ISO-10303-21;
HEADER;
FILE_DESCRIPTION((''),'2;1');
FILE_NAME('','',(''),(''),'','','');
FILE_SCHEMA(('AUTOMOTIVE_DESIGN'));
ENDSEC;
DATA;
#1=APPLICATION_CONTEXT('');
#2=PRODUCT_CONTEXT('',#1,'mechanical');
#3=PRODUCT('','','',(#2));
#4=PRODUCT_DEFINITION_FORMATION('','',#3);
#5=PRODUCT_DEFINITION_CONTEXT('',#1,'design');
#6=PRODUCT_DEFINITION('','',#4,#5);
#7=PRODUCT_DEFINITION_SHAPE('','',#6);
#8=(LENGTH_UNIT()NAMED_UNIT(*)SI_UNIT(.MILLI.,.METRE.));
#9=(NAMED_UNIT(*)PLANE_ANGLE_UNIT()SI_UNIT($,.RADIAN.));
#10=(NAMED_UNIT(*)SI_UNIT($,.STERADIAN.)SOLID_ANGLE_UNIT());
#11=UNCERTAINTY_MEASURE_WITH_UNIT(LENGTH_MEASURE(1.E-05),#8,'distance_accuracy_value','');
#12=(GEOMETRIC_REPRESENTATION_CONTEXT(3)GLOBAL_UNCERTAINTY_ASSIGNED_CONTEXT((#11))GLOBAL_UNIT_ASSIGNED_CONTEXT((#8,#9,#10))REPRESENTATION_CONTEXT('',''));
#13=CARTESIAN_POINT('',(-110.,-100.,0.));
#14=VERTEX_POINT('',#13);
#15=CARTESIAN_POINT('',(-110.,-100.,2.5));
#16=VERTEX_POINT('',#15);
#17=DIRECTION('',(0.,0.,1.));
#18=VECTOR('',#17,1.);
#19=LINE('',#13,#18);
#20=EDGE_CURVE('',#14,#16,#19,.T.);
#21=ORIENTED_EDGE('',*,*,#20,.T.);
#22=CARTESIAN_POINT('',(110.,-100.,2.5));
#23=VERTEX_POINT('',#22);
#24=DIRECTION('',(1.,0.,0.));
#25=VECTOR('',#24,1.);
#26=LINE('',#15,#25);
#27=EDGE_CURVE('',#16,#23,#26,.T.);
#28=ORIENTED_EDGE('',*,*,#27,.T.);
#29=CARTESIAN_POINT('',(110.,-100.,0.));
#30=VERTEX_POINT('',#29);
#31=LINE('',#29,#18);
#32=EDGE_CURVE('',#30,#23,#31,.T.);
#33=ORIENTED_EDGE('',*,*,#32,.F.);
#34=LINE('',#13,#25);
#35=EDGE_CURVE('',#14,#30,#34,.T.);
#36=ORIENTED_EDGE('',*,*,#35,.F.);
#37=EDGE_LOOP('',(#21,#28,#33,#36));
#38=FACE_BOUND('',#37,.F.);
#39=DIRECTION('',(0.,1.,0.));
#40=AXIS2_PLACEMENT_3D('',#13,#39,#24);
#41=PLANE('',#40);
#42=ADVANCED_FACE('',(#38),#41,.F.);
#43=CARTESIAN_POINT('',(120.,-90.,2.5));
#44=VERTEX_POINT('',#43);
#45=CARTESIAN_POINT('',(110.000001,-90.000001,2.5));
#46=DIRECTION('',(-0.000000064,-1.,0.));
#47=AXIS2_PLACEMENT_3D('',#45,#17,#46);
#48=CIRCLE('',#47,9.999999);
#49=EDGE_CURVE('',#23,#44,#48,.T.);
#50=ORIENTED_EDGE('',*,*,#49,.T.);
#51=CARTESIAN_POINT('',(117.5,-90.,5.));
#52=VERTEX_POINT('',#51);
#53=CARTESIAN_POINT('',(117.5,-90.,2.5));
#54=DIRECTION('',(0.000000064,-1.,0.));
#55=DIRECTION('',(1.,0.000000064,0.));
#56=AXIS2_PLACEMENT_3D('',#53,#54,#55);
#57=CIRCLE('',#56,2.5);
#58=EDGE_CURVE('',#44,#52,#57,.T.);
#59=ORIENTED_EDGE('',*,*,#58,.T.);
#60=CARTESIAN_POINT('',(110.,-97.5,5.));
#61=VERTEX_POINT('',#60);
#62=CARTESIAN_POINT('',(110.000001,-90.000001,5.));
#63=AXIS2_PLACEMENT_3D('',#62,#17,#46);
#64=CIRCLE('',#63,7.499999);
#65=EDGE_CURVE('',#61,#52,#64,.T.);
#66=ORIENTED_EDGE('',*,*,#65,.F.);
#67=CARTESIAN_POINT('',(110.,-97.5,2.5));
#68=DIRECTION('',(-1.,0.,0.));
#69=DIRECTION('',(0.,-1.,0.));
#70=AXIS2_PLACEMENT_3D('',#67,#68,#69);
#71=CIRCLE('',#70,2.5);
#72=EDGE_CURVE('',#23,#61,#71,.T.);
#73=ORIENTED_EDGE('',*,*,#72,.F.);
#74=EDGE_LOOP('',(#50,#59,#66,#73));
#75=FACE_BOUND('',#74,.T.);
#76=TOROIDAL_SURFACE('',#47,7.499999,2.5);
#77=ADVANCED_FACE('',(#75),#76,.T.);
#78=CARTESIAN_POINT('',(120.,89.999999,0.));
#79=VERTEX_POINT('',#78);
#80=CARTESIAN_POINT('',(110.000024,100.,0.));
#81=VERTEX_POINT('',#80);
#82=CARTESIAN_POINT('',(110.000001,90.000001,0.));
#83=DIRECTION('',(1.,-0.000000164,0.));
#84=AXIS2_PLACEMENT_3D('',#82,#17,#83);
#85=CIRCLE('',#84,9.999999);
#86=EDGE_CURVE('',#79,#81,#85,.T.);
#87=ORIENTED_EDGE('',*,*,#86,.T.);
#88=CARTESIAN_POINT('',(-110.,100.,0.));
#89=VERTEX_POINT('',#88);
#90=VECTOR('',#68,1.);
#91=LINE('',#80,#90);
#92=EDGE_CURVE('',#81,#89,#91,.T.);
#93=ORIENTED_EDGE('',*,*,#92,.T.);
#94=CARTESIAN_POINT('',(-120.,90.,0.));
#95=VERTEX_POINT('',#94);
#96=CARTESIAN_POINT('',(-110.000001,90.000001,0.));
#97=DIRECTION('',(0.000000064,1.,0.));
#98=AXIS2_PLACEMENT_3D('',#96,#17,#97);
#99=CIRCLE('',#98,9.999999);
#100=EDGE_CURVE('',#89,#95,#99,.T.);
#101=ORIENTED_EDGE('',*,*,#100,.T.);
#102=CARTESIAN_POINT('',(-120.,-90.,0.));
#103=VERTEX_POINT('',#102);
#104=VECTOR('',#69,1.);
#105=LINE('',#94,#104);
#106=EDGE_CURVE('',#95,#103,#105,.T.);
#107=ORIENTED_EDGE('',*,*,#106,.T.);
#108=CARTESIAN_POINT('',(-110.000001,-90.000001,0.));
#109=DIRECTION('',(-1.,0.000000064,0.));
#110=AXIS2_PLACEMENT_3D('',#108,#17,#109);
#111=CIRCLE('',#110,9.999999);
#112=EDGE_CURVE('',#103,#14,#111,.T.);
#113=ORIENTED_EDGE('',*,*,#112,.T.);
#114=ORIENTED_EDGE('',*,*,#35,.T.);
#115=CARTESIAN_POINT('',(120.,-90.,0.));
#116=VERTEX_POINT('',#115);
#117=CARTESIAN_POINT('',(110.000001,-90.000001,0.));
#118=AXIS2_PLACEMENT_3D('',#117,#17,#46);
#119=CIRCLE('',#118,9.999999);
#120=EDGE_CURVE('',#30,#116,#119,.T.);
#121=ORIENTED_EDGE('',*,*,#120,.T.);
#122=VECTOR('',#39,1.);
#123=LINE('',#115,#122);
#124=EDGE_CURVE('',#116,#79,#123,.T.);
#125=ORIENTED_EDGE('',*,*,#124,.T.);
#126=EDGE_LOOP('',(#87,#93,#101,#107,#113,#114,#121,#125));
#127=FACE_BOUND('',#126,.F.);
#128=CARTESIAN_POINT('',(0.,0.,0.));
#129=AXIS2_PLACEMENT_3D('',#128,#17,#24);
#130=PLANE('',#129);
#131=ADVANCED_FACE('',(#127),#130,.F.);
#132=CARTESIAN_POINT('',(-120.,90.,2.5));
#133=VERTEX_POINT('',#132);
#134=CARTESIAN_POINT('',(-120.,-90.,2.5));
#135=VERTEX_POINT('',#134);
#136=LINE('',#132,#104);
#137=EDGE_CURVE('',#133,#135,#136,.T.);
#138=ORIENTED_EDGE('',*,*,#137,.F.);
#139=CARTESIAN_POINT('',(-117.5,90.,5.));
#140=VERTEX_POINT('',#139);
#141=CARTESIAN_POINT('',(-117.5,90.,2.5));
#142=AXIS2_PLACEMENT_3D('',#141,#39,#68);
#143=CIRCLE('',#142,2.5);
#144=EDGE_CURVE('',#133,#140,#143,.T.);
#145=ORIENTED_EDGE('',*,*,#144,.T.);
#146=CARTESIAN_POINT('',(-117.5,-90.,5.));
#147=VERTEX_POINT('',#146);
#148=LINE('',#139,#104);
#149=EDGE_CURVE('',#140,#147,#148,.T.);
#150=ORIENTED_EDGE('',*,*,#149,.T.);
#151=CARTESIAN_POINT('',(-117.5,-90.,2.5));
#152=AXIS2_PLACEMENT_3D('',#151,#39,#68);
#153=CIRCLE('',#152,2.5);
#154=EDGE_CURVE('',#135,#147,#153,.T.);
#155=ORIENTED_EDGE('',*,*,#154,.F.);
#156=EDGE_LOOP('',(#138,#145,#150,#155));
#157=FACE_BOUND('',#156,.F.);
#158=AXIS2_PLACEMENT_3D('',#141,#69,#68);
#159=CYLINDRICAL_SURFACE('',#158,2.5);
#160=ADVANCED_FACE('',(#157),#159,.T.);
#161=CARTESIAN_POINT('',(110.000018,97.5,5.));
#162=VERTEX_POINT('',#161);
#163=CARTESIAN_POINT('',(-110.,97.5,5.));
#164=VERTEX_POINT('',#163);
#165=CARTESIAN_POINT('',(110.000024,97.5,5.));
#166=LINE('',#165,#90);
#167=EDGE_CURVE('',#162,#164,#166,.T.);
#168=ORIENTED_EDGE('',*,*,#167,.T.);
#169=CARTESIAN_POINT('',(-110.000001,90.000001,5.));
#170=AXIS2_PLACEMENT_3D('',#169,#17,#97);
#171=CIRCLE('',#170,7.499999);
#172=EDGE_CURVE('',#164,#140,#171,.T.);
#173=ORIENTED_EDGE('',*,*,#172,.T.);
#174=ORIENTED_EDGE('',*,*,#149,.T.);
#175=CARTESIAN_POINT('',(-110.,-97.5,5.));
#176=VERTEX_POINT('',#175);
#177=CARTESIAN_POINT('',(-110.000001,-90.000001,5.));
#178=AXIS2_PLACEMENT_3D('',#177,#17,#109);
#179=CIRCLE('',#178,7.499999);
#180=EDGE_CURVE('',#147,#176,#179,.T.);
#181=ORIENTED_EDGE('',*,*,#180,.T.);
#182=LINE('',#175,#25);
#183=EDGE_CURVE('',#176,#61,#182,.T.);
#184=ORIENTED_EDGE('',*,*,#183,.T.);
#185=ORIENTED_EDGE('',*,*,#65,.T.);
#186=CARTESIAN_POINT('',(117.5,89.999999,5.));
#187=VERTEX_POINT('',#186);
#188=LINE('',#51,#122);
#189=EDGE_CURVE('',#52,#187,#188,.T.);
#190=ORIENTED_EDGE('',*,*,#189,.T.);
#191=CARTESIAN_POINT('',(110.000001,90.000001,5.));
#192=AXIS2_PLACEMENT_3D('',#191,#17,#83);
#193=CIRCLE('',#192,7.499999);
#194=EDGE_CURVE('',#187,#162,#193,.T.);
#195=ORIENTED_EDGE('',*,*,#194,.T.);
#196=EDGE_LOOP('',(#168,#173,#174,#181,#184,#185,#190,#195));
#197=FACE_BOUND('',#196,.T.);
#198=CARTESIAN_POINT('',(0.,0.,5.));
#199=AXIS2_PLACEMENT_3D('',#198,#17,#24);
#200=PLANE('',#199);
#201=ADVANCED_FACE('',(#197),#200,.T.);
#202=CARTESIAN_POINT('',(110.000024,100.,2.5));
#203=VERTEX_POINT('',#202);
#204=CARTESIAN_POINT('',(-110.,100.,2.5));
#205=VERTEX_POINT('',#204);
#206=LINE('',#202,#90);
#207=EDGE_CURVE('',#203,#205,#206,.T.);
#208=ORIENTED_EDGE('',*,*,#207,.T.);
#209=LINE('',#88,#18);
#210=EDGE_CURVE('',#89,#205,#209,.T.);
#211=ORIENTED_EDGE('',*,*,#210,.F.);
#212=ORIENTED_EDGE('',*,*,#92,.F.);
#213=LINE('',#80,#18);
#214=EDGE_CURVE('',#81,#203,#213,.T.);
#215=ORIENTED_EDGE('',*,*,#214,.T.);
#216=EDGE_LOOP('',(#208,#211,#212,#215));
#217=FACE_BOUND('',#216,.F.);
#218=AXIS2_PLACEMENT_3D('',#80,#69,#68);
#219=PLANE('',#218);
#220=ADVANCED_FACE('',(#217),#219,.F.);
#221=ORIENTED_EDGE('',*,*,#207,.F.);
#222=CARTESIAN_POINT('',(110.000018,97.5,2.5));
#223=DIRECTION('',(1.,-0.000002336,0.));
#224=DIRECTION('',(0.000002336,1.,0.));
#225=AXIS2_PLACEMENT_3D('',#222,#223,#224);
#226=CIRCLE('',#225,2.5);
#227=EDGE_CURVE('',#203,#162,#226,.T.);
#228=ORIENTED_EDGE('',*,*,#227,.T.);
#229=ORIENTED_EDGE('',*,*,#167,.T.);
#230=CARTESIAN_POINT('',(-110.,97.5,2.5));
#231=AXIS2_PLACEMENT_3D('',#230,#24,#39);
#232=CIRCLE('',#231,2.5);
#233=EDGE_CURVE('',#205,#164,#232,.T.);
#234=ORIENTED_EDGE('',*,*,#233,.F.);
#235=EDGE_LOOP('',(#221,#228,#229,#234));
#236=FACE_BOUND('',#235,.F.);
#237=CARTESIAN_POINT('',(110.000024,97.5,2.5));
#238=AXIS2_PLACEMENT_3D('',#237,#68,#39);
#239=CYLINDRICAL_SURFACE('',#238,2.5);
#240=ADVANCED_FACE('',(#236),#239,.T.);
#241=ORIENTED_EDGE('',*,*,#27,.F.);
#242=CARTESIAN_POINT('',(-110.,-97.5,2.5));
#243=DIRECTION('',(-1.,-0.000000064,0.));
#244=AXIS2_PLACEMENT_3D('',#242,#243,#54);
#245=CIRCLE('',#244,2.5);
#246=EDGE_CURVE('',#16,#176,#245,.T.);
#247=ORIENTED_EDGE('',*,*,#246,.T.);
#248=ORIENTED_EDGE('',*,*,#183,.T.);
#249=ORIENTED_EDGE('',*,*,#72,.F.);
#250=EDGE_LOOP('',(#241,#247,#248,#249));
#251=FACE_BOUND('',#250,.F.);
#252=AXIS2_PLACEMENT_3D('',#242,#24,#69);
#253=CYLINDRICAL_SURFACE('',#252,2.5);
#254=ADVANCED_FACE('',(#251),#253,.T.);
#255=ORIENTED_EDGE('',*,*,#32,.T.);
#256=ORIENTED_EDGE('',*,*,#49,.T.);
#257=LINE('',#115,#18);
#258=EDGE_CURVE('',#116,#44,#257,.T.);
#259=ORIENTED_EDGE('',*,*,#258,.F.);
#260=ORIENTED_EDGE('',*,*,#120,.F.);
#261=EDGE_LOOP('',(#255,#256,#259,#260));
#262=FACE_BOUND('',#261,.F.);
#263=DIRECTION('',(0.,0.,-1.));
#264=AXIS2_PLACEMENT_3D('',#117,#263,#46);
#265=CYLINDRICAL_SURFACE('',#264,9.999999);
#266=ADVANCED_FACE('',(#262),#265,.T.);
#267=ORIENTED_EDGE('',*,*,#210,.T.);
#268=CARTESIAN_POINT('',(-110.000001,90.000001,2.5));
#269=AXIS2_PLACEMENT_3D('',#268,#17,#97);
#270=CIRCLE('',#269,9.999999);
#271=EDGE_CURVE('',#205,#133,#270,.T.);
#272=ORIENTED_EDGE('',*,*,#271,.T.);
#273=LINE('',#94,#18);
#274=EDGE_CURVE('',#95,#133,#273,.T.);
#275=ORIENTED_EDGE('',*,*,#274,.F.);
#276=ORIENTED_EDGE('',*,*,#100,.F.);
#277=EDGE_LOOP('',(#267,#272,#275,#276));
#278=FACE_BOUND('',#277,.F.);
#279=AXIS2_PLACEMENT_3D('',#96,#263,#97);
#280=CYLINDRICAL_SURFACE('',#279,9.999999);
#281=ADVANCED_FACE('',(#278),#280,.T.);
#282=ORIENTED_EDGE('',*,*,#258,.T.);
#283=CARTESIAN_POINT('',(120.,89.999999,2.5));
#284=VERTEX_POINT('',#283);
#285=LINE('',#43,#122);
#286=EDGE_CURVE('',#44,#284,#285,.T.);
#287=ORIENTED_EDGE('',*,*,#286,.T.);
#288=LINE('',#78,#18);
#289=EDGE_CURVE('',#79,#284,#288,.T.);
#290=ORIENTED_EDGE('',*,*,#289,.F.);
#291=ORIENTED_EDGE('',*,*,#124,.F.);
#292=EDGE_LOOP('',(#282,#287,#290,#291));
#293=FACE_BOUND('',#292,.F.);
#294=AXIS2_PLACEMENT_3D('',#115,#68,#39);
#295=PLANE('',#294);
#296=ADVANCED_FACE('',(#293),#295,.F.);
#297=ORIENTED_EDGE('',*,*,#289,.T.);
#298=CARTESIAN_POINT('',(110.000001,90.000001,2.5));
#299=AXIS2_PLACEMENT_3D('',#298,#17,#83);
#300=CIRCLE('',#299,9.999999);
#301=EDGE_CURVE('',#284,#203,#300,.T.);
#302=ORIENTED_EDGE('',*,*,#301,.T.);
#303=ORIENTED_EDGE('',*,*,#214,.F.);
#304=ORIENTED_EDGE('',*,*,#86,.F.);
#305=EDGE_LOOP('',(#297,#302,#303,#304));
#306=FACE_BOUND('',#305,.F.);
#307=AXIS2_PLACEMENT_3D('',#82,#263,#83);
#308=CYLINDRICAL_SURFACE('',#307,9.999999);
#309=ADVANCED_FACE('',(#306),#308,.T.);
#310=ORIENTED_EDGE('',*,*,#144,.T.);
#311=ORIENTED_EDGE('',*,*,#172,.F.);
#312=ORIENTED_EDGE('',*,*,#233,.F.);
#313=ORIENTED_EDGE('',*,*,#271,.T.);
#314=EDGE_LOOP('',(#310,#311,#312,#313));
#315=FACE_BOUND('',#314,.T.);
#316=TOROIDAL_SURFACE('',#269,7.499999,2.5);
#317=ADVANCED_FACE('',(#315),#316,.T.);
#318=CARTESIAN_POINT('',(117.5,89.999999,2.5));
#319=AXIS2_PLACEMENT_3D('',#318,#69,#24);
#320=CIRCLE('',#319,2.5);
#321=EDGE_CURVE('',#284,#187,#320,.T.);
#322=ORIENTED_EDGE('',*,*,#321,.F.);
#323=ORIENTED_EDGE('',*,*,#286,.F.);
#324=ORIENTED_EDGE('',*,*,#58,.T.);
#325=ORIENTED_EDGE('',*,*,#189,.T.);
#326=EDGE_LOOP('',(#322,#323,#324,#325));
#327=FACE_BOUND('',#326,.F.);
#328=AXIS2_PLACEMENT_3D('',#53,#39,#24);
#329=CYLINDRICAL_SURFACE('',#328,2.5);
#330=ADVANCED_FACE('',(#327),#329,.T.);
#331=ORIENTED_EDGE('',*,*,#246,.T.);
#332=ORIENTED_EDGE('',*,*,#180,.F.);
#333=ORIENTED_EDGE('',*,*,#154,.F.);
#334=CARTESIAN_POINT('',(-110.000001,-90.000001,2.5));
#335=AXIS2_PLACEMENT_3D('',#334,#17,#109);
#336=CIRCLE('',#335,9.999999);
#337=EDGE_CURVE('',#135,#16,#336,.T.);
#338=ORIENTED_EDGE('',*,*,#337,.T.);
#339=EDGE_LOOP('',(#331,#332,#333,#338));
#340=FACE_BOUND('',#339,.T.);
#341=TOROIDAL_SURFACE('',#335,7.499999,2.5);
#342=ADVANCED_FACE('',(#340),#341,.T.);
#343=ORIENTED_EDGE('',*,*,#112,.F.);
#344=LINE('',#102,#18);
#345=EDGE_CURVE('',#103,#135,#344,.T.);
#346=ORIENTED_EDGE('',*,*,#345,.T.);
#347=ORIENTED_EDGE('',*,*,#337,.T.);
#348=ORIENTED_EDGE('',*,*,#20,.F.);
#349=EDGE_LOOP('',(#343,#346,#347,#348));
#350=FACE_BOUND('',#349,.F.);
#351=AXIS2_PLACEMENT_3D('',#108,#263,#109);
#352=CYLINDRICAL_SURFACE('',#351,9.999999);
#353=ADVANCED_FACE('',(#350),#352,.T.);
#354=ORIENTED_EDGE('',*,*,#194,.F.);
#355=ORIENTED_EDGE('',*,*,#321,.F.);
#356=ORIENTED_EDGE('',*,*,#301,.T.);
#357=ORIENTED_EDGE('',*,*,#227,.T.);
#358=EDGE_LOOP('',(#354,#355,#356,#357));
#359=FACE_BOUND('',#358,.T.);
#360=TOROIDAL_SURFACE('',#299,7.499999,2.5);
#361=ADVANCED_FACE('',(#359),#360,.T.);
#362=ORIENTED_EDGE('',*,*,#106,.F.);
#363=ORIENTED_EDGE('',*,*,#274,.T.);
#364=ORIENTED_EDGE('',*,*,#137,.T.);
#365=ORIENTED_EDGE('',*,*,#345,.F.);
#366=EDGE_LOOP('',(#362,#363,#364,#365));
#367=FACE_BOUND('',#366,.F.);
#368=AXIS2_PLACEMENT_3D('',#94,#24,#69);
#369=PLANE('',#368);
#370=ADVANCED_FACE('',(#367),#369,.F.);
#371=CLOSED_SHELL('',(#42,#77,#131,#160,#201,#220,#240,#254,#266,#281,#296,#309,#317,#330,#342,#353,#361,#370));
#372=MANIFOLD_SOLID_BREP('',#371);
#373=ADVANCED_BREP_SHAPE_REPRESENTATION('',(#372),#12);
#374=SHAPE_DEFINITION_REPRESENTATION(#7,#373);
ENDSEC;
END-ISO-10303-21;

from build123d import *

# Parameters (mm, degrees)
EXTRUDE_DEPTH = 5
FILLET_R      = 2.5


with BuildPart() as part:
    # Sketch → Extrude (new body)
    with BuildSketch(Plane.XY):
        with BuildLine():
            Line((-120, 90), (-120, -90))
            ThreePointArc((-120, -90), (-117.071068, -97.071068), (-110, -100))
            Line((-110, -100), (110, -100))
            ThreePointArc((110, -100), (117.071068, -97.071068), (120, -90))
            Line((120, -90), (120, 89.999999))
            ThreePointArc((120, 89.999999), (117.071077, 97.071059), (110.000024, 100))
            Line((110.000024, 100), (-110, 100))
            ThreePointArc((-110, 100), (-117.071068, 97.071068), (-120, 90))
        make_face()
    extrude(amount=EXTRUDE_DEPTH)

    # Fillet
    fillet_edges = [part.edges().sort_by_distance(p)[0] for p in [
        (-120, 0, 5),
        (-117.071068, -97.071068, 5),
        (0, -100, 5),
        (117.071068, -97.071068, 5),
        (120, -1e-06, 5),
        (117.071077, 97.071059, 5),
        (1.2e-05, 100, 5),
        (-117.071068, 97.071068, 5),
    ]]
    fillet(fillet_edges, radius=FILLET_R)


solid = part.part
